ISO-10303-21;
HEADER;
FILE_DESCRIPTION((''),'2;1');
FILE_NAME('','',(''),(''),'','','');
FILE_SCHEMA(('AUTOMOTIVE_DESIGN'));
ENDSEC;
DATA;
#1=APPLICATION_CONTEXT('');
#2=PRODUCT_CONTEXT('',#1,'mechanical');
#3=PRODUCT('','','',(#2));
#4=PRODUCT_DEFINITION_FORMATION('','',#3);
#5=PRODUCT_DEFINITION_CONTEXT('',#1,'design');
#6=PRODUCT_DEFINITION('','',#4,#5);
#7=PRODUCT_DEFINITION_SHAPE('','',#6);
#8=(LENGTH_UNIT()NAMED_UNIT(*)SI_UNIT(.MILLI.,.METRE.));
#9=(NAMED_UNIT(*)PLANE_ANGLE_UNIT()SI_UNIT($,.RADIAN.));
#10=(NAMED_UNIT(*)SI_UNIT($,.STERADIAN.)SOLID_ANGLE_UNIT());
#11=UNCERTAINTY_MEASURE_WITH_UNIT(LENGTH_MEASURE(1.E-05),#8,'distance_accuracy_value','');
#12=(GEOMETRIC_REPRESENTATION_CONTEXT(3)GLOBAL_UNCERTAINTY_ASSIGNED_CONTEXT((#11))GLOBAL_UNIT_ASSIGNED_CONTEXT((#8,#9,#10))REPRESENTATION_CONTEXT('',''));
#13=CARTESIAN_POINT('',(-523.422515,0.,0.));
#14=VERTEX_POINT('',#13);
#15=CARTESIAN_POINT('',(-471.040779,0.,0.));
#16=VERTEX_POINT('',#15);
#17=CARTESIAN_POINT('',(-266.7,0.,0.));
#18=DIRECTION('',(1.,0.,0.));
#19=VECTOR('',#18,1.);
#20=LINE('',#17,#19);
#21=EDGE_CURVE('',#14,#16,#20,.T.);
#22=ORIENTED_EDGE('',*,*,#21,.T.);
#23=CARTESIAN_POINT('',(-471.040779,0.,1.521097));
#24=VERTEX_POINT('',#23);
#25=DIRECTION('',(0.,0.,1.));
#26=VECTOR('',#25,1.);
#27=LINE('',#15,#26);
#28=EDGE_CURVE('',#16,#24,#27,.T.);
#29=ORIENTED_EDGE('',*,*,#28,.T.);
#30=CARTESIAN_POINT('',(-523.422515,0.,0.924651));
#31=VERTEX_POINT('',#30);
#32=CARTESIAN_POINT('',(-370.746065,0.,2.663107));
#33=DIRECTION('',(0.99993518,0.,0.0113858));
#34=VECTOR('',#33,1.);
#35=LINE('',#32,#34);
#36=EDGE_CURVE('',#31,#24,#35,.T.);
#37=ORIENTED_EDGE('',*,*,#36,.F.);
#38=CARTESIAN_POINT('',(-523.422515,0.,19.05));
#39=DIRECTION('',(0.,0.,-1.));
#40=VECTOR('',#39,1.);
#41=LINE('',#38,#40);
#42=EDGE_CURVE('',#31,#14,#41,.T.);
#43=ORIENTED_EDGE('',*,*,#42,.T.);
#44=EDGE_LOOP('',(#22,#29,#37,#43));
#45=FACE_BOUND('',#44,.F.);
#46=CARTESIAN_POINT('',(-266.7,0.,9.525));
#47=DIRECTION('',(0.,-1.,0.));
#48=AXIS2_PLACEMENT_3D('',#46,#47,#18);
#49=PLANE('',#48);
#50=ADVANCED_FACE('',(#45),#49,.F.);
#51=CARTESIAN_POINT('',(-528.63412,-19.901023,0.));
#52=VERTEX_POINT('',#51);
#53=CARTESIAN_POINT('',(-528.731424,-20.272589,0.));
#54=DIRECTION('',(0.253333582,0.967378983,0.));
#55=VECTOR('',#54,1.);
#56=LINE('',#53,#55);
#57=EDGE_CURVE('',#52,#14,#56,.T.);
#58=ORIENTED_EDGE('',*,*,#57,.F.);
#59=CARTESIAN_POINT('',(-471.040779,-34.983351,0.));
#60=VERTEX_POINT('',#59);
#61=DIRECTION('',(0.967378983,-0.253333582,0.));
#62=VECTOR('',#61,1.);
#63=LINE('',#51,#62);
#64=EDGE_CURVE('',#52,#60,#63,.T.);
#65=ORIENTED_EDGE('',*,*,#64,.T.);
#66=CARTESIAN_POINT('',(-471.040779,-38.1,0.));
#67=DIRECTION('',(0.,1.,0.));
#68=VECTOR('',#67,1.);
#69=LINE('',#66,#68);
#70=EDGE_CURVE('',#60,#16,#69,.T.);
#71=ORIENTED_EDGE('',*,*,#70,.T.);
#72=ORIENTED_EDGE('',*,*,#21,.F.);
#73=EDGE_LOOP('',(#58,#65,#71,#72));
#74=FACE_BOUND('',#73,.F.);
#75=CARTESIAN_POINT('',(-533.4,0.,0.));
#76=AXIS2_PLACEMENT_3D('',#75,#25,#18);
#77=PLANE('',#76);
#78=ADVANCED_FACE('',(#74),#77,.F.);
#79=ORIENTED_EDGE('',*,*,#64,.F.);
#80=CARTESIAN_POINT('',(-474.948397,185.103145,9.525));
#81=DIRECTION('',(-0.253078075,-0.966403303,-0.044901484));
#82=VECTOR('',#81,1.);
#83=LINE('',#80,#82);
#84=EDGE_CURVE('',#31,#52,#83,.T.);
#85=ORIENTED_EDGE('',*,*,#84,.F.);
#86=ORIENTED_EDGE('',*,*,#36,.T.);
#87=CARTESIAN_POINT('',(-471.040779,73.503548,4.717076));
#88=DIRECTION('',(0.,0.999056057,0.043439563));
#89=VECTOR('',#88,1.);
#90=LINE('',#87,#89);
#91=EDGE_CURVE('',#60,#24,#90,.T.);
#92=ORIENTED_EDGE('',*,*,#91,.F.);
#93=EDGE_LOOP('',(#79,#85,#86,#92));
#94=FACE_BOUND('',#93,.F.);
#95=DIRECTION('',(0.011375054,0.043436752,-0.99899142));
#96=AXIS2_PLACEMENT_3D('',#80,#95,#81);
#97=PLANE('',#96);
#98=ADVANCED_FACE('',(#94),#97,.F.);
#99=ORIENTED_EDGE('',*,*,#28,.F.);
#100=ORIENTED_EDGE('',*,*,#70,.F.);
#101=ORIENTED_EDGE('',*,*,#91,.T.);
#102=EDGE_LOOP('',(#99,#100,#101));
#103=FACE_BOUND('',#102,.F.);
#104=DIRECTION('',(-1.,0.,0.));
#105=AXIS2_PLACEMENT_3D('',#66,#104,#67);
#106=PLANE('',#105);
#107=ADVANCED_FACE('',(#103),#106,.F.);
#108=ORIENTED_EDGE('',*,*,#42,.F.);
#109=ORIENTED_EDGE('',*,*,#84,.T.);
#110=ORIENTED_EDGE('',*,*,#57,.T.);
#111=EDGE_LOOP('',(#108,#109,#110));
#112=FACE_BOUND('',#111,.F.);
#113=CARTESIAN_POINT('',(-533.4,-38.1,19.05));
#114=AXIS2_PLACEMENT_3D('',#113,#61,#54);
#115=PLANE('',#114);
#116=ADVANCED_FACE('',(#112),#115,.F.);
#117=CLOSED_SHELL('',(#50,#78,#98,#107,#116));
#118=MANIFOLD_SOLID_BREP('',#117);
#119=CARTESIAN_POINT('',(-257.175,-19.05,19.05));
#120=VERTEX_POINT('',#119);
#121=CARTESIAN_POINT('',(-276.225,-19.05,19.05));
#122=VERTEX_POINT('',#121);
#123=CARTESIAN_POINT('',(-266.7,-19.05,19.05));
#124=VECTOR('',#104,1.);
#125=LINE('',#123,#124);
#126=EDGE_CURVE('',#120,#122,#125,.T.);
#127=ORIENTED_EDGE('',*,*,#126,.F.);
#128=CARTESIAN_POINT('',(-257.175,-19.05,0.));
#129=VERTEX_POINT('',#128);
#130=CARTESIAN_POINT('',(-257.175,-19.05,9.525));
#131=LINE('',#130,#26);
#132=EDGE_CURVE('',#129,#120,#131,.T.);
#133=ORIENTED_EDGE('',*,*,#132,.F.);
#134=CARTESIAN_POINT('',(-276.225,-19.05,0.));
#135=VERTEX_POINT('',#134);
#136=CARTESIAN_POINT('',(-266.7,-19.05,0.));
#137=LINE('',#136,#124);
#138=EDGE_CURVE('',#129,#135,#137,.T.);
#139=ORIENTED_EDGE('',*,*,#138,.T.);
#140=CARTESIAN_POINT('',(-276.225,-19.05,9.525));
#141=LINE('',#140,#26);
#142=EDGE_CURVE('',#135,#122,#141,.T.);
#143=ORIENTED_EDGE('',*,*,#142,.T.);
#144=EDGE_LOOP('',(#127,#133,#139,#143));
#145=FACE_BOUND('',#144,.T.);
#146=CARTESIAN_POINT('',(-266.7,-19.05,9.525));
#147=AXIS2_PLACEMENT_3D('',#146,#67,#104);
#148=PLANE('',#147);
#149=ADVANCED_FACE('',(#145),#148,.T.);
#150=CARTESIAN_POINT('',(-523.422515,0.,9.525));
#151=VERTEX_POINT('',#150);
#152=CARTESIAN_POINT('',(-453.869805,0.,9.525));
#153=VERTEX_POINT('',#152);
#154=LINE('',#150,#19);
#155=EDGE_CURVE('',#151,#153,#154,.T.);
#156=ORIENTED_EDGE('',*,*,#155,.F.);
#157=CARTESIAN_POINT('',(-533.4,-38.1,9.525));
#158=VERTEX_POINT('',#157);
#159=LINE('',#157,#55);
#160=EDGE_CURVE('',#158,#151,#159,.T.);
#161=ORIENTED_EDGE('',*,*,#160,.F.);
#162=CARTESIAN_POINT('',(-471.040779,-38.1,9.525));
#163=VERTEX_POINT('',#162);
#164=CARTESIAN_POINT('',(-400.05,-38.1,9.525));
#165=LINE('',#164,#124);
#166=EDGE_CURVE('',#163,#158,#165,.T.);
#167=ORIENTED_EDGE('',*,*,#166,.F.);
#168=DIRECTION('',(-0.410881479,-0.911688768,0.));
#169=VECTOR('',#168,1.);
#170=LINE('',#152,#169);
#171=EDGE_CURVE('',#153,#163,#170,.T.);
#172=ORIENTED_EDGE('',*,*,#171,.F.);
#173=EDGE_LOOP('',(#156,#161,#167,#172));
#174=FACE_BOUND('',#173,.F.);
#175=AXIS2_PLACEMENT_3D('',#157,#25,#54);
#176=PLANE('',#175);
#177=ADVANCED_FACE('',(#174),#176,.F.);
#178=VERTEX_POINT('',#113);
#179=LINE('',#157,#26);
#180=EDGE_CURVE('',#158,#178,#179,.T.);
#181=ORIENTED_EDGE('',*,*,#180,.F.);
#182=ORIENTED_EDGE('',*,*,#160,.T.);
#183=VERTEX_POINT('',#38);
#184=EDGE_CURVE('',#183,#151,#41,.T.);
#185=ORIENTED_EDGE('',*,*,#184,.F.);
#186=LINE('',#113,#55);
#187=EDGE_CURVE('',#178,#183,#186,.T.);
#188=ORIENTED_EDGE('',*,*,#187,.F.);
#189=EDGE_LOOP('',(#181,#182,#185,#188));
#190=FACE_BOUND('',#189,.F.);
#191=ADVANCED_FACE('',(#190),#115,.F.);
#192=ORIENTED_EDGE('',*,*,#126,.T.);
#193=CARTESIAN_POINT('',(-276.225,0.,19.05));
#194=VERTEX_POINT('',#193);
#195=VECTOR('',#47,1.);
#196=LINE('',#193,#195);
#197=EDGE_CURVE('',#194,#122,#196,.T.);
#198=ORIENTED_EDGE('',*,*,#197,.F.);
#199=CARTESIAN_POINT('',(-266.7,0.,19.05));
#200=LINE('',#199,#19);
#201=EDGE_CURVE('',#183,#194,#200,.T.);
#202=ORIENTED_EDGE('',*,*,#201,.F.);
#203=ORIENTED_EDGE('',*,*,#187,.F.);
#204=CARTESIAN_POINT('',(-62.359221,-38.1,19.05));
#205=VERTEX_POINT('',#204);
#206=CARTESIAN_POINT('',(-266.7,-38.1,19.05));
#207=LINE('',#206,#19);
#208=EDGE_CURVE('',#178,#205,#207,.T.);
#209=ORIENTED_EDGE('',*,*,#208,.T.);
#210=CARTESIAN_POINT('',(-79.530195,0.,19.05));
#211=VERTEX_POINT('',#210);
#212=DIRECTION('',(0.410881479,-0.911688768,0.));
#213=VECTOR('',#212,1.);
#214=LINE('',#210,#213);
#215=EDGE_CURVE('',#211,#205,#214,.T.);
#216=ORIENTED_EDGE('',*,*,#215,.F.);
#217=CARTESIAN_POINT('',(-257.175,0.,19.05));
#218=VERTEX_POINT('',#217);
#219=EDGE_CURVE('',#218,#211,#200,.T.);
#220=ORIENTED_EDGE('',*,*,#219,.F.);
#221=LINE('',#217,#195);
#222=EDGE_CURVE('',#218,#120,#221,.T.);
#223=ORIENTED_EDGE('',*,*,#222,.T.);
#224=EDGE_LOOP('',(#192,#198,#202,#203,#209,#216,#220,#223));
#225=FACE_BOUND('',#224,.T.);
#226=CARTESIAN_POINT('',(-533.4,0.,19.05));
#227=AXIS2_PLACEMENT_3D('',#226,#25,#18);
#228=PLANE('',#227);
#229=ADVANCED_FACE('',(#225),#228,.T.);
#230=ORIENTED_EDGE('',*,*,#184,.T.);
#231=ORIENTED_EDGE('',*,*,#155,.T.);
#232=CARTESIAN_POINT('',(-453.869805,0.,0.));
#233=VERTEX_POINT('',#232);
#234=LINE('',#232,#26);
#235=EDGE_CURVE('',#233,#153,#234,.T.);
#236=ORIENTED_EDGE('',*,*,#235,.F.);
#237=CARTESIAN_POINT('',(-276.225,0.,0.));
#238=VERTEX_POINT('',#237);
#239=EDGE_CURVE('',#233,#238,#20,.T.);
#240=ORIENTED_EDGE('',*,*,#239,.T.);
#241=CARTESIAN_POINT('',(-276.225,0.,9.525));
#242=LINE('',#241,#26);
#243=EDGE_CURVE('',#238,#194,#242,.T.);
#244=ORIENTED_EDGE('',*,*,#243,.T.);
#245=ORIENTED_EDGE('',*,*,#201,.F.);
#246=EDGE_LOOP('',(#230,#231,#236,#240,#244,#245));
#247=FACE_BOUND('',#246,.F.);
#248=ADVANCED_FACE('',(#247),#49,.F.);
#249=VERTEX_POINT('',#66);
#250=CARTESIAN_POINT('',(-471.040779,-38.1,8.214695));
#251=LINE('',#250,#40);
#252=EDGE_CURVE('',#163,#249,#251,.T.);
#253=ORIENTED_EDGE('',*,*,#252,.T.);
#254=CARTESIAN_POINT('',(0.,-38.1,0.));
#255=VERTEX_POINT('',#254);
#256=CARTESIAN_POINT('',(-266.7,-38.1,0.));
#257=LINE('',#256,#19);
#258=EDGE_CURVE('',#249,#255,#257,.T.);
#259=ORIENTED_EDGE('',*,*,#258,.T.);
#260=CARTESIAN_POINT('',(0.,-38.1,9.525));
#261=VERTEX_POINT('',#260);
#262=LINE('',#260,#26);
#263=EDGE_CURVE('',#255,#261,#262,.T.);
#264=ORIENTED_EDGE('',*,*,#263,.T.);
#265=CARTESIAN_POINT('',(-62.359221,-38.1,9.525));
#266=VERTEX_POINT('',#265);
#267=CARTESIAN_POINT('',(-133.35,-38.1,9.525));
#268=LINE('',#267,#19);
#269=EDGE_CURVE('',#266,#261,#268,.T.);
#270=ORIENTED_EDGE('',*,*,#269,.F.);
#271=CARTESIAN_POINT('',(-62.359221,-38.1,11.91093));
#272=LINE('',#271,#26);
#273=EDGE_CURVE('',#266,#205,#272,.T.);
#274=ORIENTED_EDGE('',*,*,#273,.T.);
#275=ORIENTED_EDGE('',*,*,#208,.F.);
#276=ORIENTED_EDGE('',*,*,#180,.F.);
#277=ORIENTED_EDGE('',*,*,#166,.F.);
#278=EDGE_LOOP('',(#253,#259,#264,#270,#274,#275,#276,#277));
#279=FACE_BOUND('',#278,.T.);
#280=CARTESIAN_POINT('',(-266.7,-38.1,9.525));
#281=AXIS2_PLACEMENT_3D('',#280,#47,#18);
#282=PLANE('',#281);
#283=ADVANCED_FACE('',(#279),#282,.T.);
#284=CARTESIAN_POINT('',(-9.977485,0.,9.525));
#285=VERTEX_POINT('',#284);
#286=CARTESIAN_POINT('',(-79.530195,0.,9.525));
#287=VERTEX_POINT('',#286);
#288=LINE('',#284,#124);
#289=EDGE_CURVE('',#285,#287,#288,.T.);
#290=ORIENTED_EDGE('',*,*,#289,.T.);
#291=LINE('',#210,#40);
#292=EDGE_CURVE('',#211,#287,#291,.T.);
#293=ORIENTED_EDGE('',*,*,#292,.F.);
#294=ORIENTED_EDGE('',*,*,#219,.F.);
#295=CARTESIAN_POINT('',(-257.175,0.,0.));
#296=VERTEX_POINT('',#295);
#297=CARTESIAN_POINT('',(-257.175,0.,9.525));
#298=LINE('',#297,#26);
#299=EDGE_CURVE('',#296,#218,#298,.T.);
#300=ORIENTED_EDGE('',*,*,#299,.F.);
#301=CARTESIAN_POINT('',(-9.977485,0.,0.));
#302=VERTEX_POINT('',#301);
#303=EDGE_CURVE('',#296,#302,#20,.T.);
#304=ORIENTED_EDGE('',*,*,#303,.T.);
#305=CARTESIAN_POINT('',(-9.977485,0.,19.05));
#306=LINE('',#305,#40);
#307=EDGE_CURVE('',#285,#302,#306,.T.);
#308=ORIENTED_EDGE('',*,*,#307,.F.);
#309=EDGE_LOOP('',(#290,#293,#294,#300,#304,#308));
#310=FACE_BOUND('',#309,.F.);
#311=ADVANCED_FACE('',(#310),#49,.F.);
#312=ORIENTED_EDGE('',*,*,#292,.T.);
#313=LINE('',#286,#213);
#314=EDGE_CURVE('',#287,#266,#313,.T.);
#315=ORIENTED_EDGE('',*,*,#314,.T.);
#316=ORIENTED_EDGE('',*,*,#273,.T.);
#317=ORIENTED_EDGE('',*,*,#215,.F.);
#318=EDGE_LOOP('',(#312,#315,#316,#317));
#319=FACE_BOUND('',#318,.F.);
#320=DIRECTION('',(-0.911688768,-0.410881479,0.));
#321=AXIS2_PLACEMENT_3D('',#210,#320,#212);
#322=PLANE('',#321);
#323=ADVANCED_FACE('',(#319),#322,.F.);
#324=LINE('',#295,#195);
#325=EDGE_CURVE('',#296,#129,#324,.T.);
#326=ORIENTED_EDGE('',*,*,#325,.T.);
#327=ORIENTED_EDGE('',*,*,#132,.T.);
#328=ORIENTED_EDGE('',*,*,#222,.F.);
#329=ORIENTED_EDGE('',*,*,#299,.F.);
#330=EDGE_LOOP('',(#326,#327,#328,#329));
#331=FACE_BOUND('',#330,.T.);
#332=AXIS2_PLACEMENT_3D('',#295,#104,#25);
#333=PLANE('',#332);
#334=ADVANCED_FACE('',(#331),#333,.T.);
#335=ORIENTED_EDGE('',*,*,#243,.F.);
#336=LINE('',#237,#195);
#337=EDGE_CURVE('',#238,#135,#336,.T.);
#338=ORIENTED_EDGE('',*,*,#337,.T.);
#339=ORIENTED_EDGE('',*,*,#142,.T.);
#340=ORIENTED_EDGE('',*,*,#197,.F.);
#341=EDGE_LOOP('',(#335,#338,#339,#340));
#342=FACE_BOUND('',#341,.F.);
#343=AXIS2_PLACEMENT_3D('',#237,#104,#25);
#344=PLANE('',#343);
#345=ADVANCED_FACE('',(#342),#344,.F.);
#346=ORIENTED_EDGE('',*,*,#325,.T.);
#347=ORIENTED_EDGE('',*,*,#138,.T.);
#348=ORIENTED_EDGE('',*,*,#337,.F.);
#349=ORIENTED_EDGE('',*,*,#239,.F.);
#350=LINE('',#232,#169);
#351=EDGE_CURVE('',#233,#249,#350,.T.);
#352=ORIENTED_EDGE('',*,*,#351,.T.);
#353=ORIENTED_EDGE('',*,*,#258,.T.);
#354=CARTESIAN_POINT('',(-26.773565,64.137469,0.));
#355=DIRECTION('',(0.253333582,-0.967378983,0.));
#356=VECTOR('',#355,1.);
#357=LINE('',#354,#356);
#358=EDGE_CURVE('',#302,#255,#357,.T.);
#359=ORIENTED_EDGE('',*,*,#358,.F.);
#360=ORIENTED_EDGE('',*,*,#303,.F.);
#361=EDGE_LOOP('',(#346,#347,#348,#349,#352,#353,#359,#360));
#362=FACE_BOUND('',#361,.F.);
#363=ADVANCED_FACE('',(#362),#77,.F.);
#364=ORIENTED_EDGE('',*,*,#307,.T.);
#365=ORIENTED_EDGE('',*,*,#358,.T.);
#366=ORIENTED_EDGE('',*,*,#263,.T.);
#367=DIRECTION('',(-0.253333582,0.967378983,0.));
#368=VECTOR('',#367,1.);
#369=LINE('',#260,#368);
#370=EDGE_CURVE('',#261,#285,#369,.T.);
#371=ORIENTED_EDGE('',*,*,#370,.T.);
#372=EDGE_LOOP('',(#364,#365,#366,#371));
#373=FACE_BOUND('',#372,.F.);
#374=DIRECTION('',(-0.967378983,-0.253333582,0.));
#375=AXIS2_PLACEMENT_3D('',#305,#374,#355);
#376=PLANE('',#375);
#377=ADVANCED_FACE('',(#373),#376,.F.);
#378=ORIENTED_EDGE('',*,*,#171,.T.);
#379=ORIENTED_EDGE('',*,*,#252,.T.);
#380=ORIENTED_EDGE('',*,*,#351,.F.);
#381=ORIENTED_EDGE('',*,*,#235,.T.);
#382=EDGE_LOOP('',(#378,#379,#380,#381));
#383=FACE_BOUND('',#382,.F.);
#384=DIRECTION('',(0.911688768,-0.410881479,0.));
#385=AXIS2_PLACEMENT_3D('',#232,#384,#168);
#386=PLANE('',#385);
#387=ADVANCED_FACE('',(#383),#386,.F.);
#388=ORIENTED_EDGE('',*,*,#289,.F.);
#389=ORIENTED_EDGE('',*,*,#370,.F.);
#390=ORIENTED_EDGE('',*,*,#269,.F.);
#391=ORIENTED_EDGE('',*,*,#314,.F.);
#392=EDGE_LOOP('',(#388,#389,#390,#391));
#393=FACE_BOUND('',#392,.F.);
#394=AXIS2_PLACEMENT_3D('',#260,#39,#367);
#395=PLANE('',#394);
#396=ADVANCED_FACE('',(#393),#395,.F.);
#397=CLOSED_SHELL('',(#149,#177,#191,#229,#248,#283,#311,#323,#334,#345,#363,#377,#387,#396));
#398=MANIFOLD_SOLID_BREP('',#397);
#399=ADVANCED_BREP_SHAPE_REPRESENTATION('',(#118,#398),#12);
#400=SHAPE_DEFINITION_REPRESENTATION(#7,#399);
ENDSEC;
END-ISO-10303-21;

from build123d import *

# Parameters (mm, degrees)
F0_W      = 533.4
F0_H      = 19.05
F1_DEPTH  = 38.1
F3_DEPTH  = 50.8
F5_DEPTH  = 76.2
F7_DEPTH  = 60.325
F9_DEPTH  = 9.525
F11_DEPTH = 60.325
F12_W     = 19.05
F12_H     = 19.05
F13_DEPTH = 19.05
F15_DEPTH = 9.525


with BuildPart() as f1:
    # F0 (on Front) → F1 (new body)
    with BuildSketch(Plane.XZ):
        with Locations((-266.7, 9.525)):
            Rectangle(F0_W, F0_H)
    extrude(amount=F1_DEPTH)

    # F2 (on face) → F3 (cut)
    with BuildSketch(Plane.XY.offset(19.05)):
        Polygon((-533.4, 0), (-533.4, -38.1), (-523.4225147884, 0), align=None)
    extrude(amount=-F3_DEPTH, mode=Mode.SUBTRACT)

    # F4 (on face) → F5 (cut)
    with BuildSketch(Plane.XY.offset(19.05)):
        Polygon((-9.9774852116, 0), (0, -38.1), (0, 0), align=None)
    extrude(amount=-F5_DEPTH, mode=Mode.SUBTRACT)

    # F6 (on face) → F7 (cut)
    with BuildSketch(Plane(origin=(-489.8303548733, 128.274937584, 0), x_dir=(-0.2533335825, -0.9673789826, 0), z_dir=(-0.9673789826, 0.2533335825, 0))):
        Polygon((-58.7445134276, 9.525), (153.1726068869, 0), (171.9852721384, 0), (171.9852721384, 9.525), align=None)
    extrude(amount=-F7_DEPTH, mode=Mode.SUBTRACT)

    # F8 (on face) → F9 (cut)
    with BuildSketch(Plane(origin=(0, 0, 0), x_dir=(1, 0, 0), z_dir=(0, 0, -1))):
        Polygon((-471.040778759, 38.1), (-471.040778759, 0), (-453.8698045001, 0), align=None)
    extrude(amount=-F9_DEPTH, mode=Mode.SUBTRACT)

    # F10 (on face) → F11 (cut)
    with BuildSketch(Plane(origin=(-9.3371511234, -2.4451781431, 0), x_dir=(-0.2533335825, 0.9673789826, 0), z_dir=(0.9673789826, 0.2533335825, 0))):
        Polygon((-36.8571392372, 19.05), (-36.8571392372, 9.525), (45.2719508199, 9.525), (45.6329248846, 19.05), align=None)
    extrude(amount=-F11_DEPTH, mode=Mode.SUBTRACT)

    # F12 (on face) → F13 (cut)
    with BuildSketch(Plane(origin=(0, 0, 0), x_dir=(-1, 0, 0), z_dir=(0, 1, 0))):
        with Locations((266.7, 9.525)):
            Rectangle(F12_W, F12_H)
    extrude(amount=-F13_DEPTH, mode=Mode.SUBTRACT)

    # F14 (on face) → F15 (cut)
    with BuildSketch(Plane.XY.offset(19.05)):
        Polygon((-62.359221241, 0), (-79.5301954999, 0), (-62.359221241, -38.1), align=None)
    extrude(amount=-F15_DEPTH, mode=Mode.SUBTRACT)


solid = f1.part
